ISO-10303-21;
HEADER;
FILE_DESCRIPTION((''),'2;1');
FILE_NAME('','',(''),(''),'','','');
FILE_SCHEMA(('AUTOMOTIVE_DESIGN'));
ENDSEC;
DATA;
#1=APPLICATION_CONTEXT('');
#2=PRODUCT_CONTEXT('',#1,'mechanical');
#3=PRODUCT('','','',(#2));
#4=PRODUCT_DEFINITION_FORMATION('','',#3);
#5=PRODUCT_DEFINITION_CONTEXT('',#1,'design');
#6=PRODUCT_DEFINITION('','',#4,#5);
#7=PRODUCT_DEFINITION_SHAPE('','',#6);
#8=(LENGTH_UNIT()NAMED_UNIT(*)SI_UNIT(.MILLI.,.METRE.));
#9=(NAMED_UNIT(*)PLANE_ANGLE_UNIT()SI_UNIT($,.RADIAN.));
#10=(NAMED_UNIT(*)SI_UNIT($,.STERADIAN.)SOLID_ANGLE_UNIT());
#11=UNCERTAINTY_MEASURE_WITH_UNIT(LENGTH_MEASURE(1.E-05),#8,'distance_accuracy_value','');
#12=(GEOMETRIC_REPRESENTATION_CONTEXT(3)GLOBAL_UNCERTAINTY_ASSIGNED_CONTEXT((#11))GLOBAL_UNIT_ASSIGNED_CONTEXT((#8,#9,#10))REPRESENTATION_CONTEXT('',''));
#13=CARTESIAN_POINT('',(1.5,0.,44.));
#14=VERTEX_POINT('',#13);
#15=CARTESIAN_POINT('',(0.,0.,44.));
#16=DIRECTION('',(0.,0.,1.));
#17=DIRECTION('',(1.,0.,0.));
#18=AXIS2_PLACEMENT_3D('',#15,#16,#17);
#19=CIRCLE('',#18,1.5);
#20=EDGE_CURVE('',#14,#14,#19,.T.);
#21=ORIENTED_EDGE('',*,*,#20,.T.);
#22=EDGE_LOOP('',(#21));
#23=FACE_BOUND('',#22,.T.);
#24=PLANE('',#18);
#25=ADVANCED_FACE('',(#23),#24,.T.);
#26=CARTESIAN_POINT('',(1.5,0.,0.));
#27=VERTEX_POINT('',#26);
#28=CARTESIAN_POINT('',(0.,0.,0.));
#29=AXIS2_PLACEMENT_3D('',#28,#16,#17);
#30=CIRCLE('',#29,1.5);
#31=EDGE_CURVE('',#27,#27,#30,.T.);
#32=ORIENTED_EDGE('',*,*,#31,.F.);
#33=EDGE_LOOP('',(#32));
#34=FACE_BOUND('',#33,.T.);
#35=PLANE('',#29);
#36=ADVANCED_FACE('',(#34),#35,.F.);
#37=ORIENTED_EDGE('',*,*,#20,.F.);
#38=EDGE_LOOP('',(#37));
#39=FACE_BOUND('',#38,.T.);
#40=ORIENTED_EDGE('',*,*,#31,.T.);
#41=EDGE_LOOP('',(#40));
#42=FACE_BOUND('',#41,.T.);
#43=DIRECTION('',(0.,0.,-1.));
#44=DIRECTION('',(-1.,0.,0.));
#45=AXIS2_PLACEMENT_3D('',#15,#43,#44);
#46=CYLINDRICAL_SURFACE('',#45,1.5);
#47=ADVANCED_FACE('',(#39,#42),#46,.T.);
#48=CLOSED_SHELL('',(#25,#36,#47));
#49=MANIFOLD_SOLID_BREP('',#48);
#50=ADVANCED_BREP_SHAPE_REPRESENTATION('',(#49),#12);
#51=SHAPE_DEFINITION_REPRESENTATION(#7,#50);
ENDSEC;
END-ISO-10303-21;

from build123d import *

# Parameters (mm, degrees)
SKETCH1_R        = 1.5
EXTRUSION1_DEPTH = 44


with BuildPart() as part:
    # Sketch1 → Extrusion1 (new body)
    with BuildSketch(Plane.XY):
        Circle(SKETCH1_R)
    extrude(amount=EXTRUSION1_DEPTH)


solid = part.part
